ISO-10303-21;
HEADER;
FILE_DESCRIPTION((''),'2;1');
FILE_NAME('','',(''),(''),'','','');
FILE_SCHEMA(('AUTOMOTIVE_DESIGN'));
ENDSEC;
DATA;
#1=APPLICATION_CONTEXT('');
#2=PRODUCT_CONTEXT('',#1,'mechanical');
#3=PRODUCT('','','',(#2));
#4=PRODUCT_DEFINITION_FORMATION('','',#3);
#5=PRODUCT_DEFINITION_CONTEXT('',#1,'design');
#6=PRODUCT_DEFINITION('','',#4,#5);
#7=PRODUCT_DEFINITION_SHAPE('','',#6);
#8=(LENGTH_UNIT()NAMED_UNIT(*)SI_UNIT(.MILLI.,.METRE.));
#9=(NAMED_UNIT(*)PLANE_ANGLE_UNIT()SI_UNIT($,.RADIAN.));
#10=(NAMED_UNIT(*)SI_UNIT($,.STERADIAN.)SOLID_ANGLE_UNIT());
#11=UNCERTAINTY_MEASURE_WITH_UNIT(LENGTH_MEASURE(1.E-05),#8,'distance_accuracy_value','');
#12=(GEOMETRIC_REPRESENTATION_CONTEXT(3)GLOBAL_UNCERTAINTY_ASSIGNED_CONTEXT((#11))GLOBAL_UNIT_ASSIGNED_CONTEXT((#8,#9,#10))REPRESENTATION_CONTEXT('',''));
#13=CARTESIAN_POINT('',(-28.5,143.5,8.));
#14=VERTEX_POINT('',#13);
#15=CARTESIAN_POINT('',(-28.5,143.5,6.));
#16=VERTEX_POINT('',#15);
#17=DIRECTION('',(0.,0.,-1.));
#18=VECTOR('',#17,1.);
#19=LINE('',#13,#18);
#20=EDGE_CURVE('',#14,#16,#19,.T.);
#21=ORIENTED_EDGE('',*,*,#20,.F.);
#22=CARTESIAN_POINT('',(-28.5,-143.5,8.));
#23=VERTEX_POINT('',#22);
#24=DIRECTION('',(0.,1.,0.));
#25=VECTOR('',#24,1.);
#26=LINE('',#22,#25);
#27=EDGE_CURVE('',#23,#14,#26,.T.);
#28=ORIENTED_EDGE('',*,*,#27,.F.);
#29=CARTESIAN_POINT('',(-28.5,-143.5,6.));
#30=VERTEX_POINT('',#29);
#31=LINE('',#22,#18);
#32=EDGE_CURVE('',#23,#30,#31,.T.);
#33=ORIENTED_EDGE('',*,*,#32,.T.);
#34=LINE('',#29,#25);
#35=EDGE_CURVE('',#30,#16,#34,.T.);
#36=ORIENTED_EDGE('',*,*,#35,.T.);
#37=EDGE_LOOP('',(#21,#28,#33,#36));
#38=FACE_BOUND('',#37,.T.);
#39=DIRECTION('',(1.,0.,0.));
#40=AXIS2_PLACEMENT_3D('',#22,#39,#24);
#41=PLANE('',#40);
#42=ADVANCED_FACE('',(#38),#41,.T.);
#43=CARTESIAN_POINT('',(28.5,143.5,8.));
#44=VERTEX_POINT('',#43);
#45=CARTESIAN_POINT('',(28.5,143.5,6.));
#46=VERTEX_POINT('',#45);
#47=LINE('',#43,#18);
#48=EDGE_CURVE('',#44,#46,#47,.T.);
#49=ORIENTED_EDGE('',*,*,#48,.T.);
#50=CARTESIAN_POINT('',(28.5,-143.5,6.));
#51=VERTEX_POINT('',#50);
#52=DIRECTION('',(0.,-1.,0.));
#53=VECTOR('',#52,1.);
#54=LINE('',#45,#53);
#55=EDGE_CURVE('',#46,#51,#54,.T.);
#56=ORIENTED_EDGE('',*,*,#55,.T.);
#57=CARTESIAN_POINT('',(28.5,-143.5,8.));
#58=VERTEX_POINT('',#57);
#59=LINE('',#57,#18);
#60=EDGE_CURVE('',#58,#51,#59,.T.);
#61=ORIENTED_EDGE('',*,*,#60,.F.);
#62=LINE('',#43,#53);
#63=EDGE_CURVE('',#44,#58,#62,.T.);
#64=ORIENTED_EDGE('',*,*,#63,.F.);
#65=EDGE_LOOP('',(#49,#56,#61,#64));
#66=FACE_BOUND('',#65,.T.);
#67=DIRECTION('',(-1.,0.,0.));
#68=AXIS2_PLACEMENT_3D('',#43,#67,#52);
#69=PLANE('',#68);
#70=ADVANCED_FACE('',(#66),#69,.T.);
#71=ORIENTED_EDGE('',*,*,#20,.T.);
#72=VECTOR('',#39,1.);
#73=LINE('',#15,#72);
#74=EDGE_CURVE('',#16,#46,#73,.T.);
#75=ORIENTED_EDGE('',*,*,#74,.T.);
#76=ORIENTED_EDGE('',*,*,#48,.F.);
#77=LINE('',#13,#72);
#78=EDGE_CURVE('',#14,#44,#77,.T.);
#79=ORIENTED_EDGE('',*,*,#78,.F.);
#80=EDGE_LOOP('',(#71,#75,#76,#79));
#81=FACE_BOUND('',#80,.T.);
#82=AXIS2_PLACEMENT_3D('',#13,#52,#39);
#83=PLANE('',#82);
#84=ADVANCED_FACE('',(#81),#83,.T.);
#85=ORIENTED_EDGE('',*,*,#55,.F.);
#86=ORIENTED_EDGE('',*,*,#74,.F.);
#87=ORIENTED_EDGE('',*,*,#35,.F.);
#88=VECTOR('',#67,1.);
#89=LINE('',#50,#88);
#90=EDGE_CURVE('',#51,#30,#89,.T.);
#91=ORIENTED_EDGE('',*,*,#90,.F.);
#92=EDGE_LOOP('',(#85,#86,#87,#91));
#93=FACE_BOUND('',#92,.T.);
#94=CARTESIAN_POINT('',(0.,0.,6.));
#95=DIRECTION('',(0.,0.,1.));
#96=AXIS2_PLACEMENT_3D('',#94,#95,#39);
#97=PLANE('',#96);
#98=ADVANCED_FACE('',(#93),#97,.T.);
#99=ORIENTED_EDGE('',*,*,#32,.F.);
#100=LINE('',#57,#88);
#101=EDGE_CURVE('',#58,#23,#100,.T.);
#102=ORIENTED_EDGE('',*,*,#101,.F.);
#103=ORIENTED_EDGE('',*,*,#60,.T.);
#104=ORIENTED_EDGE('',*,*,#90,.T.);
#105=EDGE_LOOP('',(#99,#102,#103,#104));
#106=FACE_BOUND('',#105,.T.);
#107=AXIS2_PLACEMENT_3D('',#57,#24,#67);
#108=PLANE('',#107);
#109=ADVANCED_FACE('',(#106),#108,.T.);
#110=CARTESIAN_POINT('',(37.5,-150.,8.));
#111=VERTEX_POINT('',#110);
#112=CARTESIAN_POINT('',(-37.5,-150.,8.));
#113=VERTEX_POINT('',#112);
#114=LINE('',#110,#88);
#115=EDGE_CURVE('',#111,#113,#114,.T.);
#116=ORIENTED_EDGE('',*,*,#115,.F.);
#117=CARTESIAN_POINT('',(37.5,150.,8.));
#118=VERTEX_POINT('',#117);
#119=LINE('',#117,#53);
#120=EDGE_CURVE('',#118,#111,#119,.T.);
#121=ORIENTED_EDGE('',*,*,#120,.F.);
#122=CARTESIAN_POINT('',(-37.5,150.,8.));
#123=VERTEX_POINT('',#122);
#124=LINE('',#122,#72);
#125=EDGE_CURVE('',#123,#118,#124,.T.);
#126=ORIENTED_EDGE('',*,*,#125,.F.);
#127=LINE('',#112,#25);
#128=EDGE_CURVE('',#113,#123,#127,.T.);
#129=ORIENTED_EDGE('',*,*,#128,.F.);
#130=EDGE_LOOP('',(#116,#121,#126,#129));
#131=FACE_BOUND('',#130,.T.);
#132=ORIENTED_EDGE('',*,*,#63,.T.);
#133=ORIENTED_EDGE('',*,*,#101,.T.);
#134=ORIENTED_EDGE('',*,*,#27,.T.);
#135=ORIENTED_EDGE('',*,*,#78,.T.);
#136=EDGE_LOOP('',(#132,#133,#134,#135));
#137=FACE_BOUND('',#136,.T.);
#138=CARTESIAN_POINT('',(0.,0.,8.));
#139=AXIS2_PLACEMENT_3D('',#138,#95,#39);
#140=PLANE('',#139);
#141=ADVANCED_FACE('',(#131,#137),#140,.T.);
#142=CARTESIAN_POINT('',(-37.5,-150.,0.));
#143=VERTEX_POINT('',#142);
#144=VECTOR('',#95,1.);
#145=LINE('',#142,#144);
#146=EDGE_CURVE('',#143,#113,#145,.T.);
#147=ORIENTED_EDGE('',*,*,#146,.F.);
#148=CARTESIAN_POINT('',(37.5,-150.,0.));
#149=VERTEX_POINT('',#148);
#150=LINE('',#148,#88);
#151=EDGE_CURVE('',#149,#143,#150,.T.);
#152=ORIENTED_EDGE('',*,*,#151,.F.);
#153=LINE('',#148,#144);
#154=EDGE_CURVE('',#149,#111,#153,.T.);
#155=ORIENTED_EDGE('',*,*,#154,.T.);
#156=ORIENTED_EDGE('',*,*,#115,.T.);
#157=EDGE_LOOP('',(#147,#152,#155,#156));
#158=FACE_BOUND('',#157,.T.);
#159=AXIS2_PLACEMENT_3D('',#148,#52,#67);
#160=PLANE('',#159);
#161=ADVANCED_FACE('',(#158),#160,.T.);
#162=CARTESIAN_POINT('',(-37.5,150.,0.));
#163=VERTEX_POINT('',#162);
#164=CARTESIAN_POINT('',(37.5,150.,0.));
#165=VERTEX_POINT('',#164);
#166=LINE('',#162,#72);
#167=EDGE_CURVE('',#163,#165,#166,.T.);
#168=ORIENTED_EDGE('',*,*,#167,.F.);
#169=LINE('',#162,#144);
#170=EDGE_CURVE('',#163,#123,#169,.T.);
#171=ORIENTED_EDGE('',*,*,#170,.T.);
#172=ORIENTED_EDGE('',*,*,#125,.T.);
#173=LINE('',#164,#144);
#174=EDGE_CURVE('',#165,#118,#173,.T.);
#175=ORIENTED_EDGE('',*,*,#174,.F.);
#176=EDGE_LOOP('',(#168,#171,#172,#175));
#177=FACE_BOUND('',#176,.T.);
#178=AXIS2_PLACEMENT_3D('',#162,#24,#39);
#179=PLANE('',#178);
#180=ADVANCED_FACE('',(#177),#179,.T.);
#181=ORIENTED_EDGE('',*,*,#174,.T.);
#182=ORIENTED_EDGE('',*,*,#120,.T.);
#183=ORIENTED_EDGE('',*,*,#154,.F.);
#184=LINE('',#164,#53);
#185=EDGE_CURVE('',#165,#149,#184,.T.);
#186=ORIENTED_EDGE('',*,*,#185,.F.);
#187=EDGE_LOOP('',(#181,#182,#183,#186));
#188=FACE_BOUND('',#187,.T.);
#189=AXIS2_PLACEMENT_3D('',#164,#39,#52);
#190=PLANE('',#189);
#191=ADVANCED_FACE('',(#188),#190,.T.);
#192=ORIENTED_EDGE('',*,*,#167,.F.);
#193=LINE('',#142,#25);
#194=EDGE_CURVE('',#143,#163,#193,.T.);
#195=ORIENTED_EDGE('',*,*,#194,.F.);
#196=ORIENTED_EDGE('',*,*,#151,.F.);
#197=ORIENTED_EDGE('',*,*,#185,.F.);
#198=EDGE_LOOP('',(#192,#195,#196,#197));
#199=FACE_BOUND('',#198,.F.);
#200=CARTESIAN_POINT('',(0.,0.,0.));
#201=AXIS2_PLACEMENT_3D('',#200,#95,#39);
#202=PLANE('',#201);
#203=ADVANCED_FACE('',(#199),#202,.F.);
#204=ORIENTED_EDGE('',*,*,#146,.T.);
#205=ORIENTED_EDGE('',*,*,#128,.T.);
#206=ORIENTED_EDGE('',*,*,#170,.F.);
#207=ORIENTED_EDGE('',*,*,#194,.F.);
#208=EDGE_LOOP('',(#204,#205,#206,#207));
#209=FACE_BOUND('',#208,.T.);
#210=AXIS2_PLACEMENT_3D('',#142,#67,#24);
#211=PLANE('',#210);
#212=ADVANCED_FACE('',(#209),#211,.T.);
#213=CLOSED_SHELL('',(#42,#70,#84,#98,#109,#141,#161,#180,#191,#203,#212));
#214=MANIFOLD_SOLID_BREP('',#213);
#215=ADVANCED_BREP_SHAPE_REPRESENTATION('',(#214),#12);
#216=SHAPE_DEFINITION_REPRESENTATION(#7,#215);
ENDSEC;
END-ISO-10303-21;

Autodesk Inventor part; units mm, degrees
ref_plane "YZ Plane" through (0, 0, 0) normal (1, 0, 0) x (0, 1, 0)
ref_plane "XZ Plane" through (0, 0, 0) normal (0, 1, 0) x (-1, 0, 0)
ref_plane "XY Plane" through (0, 0, 0) normal (0, 0, 1) x (1, 0, 0)
sketch "Sketch1" plane through (0, 0, 0) normal (0, 0, 1) x (1, 0, 0)
  line L0 (-37.5, 150) -> (37.5, 150)
  line L1 (37.5, 150) -> (37.5, -150)
  line L2 (37.5, -150) -> (-37.5, -150)
  line L3 (-37.5, -150) -> (-37.5, 150)
  point P0 (0, 0)
  dimension "d0" = 75
  dimension "d1" = 300
  dimension "d2" = 150
  dimension "d3" = 37.5
extrude "Extrusion1" add sketch "Sketch1" along normal blind 8
sketch "Sketch2" plane through (0, 0, 8) normal (0, 0, 1) x (1, 0, 0)
  line L0 (-28.5, 143.5) -> (28.5, 143.5)
  line L1 (28.5, 143.5) -> (28.5, -143.5)
  line L2 (28.5, -143.5) -> (-28.5, -143.5)
  line L3 (-28.5, -143.5) -> (-28.5, 143.5)
  point P0 (0, 0)
  dimension "d6" = 57
  dimension "d7" = 287
  dimension "d8" = 143.5
  dimension "d9" = 28.5
extrude "Extrusion2" cut sketch "Sketch2" against normal blind 2
equation "\"d2\" = 0.5 * d1"
equation "\"d3\" = 0.5 * d0"
equation "\"d8\" = 0.5 * d7"
equation "\"d9\" = 0.5 * d6"
properties part number "filter top plate" material "Aluminum 6061-AHC"
